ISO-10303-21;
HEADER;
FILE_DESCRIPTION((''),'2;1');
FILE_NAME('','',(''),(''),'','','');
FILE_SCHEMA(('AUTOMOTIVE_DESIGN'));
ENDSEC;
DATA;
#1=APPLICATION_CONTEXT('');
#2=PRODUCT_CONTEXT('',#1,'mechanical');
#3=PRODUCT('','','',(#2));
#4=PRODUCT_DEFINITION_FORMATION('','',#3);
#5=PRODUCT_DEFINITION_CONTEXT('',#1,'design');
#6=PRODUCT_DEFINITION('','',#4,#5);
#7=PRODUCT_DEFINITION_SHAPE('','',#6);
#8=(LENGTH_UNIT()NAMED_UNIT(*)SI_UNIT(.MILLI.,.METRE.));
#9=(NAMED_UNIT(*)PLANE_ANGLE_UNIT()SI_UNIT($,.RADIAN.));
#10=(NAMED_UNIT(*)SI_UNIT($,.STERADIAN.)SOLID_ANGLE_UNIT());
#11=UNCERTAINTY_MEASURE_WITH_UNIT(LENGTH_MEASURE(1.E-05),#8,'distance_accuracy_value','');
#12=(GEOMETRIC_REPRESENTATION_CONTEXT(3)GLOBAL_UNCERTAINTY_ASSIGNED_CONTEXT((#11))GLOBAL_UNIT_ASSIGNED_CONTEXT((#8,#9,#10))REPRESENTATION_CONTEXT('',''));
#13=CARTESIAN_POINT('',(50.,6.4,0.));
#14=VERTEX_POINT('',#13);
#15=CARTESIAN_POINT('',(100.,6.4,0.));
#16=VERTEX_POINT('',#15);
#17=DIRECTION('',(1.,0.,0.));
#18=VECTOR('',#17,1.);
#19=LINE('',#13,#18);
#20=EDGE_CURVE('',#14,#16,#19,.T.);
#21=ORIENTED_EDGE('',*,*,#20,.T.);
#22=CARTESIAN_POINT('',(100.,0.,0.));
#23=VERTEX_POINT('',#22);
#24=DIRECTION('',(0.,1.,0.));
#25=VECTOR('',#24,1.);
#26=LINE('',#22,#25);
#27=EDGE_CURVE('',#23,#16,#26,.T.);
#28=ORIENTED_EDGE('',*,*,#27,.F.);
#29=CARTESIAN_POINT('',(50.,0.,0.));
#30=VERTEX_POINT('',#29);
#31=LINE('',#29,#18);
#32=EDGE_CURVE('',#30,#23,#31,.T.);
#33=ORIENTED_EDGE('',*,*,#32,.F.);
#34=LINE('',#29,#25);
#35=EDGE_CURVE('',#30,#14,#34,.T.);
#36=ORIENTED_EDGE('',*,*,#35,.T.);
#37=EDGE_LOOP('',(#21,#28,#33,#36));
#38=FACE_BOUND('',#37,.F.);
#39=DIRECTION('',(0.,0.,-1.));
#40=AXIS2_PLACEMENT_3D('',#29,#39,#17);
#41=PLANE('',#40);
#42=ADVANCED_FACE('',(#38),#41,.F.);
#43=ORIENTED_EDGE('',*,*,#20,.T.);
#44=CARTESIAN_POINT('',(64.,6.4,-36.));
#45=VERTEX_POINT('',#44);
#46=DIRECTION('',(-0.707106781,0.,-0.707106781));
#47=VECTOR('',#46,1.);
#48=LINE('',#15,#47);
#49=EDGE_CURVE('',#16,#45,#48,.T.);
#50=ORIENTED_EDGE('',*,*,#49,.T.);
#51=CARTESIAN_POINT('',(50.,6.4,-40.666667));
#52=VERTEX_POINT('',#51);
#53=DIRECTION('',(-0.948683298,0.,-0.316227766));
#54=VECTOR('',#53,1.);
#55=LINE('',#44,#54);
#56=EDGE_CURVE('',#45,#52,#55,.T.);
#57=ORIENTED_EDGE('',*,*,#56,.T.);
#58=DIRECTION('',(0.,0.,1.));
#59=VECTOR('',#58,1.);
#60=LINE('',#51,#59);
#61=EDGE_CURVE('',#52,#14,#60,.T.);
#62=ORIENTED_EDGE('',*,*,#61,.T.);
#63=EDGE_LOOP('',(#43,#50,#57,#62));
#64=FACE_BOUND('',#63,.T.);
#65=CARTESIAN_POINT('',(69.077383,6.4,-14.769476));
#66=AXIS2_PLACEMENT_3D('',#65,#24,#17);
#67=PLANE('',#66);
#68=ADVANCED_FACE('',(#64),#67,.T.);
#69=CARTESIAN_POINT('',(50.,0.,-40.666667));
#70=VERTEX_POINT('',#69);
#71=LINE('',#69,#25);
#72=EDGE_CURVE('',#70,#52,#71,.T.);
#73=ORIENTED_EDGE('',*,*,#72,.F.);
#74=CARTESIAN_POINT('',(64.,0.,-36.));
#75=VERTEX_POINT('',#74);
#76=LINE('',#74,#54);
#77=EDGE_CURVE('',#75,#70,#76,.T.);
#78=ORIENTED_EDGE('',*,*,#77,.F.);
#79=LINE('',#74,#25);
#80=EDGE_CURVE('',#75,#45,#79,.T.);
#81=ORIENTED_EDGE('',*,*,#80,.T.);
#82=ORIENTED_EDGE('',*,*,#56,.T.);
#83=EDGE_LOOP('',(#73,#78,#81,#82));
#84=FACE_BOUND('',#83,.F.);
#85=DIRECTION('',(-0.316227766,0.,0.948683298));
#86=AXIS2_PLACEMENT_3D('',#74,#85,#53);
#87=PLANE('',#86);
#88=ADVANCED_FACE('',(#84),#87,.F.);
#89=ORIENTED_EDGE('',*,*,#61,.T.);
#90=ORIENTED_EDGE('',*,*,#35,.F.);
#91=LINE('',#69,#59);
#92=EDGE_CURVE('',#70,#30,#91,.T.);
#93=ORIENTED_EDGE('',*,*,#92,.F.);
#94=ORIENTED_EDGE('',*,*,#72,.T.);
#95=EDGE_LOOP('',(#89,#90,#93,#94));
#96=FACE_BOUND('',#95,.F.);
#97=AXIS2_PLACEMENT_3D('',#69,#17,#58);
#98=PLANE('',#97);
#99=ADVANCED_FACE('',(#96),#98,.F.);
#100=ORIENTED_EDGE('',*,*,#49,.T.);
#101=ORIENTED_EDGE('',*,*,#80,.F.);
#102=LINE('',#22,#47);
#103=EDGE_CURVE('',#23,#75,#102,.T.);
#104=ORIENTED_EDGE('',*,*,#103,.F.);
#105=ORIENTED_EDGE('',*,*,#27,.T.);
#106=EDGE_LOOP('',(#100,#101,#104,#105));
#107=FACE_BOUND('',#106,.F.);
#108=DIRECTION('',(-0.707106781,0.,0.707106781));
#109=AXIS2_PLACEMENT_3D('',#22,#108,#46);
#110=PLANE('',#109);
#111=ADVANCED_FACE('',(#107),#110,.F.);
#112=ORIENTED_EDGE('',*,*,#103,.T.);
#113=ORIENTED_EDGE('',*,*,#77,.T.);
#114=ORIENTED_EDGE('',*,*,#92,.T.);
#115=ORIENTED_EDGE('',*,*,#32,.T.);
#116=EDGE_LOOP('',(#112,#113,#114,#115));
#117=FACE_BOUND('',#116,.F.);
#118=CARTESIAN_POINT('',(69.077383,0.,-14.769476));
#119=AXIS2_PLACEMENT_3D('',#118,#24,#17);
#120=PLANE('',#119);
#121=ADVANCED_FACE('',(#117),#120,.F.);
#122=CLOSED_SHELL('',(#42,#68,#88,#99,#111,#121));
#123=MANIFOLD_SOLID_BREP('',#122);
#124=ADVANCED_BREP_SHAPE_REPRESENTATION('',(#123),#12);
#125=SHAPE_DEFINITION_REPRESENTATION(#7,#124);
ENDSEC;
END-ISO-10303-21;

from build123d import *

# Parameters (mm, degrees)
EXTRUDE_D_DEPTH = 6.4


with BuildPart() as part:
    # puzzle plan_6 → Extrude D (new body)
    with BuildSketch(Plane(origin=(0, 0, 0), x_dir=(1, 0, 0), z_dir=(0, 1, 0))):
        Polygon((64, 36), (50, 40.666666667), (50, 0), (100, 0), align=None)
    extrude(amount=EXTRUDE_D_DEPTH)


solid = part.part
